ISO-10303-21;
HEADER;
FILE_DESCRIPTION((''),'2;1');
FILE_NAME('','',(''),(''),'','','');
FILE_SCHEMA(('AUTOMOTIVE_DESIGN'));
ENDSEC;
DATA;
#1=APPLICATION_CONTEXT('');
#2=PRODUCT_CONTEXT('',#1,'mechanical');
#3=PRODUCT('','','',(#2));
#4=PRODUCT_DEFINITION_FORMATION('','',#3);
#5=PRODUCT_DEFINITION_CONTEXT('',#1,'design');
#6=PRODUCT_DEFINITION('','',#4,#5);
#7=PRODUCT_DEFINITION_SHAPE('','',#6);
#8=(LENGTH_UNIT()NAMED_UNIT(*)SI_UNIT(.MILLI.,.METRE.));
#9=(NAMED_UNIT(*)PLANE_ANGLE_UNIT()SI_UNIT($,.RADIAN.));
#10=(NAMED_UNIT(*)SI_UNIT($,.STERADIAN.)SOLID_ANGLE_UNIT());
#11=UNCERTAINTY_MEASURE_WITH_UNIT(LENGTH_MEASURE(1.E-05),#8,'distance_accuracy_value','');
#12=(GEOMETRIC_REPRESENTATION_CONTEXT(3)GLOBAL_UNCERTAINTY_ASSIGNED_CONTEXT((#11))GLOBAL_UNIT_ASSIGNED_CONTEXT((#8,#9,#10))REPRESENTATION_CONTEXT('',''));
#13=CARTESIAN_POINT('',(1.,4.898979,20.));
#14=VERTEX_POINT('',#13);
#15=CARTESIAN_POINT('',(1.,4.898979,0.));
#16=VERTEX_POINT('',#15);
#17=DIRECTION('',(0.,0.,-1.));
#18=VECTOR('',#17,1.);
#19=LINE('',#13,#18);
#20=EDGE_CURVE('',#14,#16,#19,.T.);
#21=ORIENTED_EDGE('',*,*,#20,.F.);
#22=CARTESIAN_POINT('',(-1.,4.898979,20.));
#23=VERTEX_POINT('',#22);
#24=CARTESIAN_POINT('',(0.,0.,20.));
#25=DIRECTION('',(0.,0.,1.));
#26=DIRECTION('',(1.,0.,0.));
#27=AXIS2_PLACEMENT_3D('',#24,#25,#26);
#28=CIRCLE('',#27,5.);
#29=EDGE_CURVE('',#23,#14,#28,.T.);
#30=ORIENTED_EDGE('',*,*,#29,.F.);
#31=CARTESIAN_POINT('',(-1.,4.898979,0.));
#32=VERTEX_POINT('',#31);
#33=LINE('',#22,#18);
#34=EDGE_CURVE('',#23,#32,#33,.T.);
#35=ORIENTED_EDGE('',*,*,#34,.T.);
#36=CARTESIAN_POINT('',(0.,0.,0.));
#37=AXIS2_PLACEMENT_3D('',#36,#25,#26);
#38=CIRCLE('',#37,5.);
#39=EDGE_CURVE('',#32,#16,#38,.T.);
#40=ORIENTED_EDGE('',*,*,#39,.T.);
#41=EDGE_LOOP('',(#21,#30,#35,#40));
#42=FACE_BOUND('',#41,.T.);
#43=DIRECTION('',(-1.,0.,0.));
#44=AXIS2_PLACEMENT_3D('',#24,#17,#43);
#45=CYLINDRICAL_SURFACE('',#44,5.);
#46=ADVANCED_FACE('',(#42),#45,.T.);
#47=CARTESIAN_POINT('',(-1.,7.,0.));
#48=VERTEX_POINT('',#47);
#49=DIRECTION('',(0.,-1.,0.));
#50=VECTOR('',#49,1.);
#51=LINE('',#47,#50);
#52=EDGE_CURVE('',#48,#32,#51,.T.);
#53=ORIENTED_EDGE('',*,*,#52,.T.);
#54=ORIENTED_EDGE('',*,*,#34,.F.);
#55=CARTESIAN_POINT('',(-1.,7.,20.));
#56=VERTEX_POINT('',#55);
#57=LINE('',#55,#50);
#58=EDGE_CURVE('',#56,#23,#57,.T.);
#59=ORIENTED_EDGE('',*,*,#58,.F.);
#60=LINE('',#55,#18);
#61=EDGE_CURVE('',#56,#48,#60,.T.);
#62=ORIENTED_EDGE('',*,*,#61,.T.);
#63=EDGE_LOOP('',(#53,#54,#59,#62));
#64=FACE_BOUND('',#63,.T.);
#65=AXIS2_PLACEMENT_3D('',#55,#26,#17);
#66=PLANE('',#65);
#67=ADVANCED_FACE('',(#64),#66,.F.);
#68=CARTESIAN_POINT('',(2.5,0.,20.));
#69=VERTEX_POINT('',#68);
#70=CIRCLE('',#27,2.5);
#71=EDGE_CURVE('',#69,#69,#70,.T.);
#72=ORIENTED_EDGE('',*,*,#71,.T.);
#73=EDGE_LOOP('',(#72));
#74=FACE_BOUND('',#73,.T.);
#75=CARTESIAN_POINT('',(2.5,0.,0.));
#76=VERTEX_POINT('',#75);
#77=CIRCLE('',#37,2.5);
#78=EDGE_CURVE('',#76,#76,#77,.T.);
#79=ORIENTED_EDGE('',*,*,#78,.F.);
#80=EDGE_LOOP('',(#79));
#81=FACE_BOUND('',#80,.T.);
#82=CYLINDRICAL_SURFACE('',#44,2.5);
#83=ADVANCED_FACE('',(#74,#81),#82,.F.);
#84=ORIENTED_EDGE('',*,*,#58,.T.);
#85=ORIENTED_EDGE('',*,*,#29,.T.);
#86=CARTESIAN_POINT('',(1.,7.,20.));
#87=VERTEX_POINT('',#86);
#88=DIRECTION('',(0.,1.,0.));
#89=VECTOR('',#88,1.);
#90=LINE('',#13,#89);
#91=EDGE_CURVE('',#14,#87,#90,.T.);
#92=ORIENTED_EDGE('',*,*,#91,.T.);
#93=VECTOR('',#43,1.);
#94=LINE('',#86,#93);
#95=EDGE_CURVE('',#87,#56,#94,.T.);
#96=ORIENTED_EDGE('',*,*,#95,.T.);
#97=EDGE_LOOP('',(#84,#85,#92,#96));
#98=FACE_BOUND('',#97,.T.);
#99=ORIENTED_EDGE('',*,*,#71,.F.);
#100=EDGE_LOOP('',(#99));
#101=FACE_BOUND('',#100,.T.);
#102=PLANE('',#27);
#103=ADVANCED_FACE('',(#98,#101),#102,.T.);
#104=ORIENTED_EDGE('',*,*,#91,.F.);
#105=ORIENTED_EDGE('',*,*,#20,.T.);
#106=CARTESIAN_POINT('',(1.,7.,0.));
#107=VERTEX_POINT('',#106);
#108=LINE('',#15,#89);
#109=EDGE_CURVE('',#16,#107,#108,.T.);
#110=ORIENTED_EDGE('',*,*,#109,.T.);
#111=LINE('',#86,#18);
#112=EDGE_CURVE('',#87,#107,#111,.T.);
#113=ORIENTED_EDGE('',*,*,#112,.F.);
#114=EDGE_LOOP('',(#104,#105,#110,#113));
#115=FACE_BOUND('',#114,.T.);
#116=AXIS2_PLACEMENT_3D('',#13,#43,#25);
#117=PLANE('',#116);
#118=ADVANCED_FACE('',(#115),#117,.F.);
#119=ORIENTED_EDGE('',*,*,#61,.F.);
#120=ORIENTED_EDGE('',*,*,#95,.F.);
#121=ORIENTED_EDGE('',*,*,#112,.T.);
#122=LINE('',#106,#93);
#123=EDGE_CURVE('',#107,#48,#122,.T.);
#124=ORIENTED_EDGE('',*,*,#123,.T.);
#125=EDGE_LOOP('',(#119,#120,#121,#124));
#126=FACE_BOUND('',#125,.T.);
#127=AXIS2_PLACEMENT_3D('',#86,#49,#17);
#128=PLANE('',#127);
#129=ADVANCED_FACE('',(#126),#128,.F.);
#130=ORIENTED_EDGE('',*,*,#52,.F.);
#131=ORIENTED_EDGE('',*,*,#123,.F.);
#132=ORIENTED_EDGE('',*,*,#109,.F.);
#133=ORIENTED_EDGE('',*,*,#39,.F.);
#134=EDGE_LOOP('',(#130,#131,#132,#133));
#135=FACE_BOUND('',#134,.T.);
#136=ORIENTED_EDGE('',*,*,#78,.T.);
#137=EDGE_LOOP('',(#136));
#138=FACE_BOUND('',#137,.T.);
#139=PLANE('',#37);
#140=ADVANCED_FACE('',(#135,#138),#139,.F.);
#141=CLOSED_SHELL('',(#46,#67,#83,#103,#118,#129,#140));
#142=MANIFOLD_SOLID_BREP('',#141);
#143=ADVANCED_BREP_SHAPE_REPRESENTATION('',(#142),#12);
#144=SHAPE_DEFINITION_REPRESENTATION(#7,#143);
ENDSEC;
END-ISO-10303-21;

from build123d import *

# Parameters (mm, degrees)
SKETCH2_R           = 2.5
BOSS_EXTRUDE1_DEPTH = 20


with BuildPart() as part:
    # Sketch2 → Boss-Extrude1 (new body)
    with BuildSketch(Plane.XY):
        with BuildLine():
            Line((1, 4.898979486), (1, 7))
            Line((1, 7), (-1, 7))
            Line((-1, 7), (-1, 4.898979486))
            ThreePointArc((-1, 4.898979486), (0, -5), (1, 4.898979486))
        make_face()
        Circle(SKETCH2_R, mode=Mode.SUBTRACT)
    extrude(amount=BOSS_EXTRUDE1_DEPTH)


solid = part.part
